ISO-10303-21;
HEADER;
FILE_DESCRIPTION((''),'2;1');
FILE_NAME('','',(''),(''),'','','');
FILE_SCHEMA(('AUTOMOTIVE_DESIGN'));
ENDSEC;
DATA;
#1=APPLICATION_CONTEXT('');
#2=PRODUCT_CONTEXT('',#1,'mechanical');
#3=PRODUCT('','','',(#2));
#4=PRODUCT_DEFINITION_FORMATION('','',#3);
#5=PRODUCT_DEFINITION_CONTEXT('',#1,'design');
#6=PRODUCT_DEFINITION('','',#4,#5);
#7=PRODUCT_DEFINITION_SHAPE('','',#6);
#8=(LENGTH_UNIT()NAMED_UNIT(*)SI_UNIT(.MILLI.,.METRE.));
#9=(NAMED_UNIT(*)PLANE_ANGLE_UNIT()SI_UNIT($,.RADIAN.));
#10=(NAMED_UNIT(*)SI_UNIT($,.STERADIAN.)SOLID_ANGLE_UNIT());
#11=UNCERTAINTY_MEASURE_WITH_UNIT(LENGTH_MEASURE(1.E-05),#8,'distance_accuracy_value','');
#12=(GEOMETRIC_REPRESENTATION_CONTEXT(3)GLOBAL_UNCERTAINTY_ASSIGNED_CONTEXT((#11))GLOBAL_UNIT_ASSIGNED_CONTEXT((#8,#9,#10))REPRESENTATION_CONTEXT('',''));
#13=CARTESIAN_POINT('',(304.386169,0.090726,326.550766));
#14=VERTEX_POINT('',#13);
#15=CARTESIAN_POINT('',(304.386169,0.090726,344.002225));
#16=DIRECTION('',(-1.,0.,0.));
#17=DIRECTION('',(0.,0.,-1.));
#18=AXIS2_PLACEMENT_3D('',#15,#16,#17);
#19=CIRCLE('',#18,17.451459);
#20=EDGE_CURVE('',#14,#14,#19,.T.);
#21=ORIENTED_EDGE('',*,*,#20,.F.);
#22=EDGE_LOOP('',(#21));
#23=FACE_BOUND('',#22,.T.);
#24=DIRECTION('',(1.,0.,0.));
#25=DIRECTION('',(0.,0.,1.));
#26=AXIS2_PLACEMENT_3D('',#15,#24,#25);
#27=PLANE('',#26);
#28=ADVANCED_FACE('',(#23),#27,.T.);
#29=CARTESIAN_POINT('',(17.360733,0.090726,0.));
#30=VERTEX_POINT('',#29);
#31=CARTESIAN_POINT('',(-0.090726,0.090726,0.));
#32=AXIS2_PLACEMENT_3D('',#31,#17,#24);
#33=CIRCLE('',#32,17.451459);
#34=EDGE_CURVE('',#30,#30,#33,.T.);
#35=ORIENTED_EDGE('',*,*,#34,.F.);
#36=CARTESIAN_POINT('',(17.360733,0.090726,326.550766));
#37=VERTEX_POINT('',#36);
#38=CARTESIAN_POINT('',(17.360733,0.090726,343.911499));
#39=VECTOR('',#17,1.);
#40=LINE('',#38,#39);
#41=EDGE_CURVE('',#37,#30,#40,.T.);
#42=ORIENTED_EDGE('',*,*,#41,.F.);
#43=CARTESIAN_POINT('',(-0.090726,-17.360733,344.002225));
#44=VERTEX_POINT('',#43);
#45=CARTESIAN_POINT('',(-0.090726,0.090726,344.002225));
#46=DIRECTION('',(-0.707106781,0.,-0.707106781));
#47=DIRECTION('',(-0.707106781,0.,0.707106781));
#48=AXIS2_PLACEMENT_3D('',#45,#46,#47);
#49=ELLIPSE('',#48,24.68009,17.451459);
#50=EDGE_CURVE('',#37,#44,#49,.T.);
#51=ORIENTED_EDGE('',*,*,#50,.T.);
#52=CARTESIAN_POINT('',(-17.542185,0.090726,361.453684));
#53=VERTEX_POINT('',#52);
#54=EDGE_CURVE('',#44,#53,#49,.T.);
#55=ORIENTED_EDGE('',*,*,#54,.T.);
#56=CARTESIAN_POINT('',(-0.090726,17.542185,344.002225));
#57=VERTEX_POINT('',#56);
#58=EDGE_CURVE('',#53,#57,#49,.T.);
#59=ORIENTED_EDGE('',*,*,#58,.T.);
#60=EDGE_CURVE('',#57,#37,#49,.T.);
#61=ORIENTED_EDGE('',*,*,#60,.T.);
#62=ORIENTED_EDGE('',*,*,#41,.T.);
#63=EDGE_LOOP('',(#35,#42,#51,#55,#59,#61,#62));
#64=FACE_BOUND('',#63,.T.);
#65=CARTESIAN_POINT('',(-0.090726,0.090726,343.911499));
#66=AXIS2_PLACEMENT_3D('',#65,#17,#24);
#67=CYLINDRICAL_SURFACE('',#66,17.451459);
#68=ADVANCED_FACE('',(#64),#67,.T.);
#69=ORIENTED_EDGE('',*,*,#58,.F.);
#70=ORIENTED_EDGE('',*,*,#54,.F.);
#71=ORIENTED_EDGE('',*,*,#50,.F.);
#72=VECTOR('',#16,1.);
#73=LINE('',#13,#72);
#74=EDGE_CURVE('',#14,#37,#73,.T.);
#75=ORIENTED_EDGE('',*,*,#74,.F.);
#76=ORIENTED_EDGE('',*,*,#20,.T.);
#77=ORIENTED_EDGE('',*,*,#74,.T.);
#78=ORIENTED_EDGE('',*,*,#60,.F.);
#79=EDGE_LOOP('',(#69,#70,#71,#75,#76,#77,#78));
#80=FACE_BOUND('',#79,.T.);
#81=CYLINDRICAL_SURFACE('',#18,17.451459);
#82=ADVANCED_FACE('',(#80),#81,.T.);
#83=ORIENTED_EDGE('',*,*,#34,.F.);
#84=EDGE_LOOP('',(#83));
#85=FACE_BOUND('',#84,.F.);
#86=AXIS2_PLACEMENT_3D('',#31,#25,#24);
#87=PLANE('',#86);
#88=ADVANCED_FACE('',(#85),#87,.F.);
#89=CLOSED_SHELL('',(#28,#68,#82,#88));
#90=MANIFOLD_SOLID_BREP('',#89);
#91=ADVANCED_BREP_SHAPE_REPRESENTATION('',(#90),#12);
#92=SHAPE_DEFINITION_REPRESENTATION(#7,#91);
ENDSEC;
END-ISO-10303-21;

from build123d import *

# Parameters (mm, degrees)
F0_R = 17.4514588069


with BuildPart() as f2:
    # F2: sweep along a path in F1
    with BuildLine(Plane.XZ) as f2_path:
        Line((304.3861687183, 343.911498785), (0, 343.911498785))
        Line((0, 343.911498785), (0, 0))
    # F0 (on Top) → F2 (sweep)
    with BuildSketch(Plane.XY):
        with Locations((-0.0907261565, 0.0907258072)):
            Circle(F0_R)
    sweep(path=f2_path.line, transition=Transition.RIGHT)


solid = f2.part
